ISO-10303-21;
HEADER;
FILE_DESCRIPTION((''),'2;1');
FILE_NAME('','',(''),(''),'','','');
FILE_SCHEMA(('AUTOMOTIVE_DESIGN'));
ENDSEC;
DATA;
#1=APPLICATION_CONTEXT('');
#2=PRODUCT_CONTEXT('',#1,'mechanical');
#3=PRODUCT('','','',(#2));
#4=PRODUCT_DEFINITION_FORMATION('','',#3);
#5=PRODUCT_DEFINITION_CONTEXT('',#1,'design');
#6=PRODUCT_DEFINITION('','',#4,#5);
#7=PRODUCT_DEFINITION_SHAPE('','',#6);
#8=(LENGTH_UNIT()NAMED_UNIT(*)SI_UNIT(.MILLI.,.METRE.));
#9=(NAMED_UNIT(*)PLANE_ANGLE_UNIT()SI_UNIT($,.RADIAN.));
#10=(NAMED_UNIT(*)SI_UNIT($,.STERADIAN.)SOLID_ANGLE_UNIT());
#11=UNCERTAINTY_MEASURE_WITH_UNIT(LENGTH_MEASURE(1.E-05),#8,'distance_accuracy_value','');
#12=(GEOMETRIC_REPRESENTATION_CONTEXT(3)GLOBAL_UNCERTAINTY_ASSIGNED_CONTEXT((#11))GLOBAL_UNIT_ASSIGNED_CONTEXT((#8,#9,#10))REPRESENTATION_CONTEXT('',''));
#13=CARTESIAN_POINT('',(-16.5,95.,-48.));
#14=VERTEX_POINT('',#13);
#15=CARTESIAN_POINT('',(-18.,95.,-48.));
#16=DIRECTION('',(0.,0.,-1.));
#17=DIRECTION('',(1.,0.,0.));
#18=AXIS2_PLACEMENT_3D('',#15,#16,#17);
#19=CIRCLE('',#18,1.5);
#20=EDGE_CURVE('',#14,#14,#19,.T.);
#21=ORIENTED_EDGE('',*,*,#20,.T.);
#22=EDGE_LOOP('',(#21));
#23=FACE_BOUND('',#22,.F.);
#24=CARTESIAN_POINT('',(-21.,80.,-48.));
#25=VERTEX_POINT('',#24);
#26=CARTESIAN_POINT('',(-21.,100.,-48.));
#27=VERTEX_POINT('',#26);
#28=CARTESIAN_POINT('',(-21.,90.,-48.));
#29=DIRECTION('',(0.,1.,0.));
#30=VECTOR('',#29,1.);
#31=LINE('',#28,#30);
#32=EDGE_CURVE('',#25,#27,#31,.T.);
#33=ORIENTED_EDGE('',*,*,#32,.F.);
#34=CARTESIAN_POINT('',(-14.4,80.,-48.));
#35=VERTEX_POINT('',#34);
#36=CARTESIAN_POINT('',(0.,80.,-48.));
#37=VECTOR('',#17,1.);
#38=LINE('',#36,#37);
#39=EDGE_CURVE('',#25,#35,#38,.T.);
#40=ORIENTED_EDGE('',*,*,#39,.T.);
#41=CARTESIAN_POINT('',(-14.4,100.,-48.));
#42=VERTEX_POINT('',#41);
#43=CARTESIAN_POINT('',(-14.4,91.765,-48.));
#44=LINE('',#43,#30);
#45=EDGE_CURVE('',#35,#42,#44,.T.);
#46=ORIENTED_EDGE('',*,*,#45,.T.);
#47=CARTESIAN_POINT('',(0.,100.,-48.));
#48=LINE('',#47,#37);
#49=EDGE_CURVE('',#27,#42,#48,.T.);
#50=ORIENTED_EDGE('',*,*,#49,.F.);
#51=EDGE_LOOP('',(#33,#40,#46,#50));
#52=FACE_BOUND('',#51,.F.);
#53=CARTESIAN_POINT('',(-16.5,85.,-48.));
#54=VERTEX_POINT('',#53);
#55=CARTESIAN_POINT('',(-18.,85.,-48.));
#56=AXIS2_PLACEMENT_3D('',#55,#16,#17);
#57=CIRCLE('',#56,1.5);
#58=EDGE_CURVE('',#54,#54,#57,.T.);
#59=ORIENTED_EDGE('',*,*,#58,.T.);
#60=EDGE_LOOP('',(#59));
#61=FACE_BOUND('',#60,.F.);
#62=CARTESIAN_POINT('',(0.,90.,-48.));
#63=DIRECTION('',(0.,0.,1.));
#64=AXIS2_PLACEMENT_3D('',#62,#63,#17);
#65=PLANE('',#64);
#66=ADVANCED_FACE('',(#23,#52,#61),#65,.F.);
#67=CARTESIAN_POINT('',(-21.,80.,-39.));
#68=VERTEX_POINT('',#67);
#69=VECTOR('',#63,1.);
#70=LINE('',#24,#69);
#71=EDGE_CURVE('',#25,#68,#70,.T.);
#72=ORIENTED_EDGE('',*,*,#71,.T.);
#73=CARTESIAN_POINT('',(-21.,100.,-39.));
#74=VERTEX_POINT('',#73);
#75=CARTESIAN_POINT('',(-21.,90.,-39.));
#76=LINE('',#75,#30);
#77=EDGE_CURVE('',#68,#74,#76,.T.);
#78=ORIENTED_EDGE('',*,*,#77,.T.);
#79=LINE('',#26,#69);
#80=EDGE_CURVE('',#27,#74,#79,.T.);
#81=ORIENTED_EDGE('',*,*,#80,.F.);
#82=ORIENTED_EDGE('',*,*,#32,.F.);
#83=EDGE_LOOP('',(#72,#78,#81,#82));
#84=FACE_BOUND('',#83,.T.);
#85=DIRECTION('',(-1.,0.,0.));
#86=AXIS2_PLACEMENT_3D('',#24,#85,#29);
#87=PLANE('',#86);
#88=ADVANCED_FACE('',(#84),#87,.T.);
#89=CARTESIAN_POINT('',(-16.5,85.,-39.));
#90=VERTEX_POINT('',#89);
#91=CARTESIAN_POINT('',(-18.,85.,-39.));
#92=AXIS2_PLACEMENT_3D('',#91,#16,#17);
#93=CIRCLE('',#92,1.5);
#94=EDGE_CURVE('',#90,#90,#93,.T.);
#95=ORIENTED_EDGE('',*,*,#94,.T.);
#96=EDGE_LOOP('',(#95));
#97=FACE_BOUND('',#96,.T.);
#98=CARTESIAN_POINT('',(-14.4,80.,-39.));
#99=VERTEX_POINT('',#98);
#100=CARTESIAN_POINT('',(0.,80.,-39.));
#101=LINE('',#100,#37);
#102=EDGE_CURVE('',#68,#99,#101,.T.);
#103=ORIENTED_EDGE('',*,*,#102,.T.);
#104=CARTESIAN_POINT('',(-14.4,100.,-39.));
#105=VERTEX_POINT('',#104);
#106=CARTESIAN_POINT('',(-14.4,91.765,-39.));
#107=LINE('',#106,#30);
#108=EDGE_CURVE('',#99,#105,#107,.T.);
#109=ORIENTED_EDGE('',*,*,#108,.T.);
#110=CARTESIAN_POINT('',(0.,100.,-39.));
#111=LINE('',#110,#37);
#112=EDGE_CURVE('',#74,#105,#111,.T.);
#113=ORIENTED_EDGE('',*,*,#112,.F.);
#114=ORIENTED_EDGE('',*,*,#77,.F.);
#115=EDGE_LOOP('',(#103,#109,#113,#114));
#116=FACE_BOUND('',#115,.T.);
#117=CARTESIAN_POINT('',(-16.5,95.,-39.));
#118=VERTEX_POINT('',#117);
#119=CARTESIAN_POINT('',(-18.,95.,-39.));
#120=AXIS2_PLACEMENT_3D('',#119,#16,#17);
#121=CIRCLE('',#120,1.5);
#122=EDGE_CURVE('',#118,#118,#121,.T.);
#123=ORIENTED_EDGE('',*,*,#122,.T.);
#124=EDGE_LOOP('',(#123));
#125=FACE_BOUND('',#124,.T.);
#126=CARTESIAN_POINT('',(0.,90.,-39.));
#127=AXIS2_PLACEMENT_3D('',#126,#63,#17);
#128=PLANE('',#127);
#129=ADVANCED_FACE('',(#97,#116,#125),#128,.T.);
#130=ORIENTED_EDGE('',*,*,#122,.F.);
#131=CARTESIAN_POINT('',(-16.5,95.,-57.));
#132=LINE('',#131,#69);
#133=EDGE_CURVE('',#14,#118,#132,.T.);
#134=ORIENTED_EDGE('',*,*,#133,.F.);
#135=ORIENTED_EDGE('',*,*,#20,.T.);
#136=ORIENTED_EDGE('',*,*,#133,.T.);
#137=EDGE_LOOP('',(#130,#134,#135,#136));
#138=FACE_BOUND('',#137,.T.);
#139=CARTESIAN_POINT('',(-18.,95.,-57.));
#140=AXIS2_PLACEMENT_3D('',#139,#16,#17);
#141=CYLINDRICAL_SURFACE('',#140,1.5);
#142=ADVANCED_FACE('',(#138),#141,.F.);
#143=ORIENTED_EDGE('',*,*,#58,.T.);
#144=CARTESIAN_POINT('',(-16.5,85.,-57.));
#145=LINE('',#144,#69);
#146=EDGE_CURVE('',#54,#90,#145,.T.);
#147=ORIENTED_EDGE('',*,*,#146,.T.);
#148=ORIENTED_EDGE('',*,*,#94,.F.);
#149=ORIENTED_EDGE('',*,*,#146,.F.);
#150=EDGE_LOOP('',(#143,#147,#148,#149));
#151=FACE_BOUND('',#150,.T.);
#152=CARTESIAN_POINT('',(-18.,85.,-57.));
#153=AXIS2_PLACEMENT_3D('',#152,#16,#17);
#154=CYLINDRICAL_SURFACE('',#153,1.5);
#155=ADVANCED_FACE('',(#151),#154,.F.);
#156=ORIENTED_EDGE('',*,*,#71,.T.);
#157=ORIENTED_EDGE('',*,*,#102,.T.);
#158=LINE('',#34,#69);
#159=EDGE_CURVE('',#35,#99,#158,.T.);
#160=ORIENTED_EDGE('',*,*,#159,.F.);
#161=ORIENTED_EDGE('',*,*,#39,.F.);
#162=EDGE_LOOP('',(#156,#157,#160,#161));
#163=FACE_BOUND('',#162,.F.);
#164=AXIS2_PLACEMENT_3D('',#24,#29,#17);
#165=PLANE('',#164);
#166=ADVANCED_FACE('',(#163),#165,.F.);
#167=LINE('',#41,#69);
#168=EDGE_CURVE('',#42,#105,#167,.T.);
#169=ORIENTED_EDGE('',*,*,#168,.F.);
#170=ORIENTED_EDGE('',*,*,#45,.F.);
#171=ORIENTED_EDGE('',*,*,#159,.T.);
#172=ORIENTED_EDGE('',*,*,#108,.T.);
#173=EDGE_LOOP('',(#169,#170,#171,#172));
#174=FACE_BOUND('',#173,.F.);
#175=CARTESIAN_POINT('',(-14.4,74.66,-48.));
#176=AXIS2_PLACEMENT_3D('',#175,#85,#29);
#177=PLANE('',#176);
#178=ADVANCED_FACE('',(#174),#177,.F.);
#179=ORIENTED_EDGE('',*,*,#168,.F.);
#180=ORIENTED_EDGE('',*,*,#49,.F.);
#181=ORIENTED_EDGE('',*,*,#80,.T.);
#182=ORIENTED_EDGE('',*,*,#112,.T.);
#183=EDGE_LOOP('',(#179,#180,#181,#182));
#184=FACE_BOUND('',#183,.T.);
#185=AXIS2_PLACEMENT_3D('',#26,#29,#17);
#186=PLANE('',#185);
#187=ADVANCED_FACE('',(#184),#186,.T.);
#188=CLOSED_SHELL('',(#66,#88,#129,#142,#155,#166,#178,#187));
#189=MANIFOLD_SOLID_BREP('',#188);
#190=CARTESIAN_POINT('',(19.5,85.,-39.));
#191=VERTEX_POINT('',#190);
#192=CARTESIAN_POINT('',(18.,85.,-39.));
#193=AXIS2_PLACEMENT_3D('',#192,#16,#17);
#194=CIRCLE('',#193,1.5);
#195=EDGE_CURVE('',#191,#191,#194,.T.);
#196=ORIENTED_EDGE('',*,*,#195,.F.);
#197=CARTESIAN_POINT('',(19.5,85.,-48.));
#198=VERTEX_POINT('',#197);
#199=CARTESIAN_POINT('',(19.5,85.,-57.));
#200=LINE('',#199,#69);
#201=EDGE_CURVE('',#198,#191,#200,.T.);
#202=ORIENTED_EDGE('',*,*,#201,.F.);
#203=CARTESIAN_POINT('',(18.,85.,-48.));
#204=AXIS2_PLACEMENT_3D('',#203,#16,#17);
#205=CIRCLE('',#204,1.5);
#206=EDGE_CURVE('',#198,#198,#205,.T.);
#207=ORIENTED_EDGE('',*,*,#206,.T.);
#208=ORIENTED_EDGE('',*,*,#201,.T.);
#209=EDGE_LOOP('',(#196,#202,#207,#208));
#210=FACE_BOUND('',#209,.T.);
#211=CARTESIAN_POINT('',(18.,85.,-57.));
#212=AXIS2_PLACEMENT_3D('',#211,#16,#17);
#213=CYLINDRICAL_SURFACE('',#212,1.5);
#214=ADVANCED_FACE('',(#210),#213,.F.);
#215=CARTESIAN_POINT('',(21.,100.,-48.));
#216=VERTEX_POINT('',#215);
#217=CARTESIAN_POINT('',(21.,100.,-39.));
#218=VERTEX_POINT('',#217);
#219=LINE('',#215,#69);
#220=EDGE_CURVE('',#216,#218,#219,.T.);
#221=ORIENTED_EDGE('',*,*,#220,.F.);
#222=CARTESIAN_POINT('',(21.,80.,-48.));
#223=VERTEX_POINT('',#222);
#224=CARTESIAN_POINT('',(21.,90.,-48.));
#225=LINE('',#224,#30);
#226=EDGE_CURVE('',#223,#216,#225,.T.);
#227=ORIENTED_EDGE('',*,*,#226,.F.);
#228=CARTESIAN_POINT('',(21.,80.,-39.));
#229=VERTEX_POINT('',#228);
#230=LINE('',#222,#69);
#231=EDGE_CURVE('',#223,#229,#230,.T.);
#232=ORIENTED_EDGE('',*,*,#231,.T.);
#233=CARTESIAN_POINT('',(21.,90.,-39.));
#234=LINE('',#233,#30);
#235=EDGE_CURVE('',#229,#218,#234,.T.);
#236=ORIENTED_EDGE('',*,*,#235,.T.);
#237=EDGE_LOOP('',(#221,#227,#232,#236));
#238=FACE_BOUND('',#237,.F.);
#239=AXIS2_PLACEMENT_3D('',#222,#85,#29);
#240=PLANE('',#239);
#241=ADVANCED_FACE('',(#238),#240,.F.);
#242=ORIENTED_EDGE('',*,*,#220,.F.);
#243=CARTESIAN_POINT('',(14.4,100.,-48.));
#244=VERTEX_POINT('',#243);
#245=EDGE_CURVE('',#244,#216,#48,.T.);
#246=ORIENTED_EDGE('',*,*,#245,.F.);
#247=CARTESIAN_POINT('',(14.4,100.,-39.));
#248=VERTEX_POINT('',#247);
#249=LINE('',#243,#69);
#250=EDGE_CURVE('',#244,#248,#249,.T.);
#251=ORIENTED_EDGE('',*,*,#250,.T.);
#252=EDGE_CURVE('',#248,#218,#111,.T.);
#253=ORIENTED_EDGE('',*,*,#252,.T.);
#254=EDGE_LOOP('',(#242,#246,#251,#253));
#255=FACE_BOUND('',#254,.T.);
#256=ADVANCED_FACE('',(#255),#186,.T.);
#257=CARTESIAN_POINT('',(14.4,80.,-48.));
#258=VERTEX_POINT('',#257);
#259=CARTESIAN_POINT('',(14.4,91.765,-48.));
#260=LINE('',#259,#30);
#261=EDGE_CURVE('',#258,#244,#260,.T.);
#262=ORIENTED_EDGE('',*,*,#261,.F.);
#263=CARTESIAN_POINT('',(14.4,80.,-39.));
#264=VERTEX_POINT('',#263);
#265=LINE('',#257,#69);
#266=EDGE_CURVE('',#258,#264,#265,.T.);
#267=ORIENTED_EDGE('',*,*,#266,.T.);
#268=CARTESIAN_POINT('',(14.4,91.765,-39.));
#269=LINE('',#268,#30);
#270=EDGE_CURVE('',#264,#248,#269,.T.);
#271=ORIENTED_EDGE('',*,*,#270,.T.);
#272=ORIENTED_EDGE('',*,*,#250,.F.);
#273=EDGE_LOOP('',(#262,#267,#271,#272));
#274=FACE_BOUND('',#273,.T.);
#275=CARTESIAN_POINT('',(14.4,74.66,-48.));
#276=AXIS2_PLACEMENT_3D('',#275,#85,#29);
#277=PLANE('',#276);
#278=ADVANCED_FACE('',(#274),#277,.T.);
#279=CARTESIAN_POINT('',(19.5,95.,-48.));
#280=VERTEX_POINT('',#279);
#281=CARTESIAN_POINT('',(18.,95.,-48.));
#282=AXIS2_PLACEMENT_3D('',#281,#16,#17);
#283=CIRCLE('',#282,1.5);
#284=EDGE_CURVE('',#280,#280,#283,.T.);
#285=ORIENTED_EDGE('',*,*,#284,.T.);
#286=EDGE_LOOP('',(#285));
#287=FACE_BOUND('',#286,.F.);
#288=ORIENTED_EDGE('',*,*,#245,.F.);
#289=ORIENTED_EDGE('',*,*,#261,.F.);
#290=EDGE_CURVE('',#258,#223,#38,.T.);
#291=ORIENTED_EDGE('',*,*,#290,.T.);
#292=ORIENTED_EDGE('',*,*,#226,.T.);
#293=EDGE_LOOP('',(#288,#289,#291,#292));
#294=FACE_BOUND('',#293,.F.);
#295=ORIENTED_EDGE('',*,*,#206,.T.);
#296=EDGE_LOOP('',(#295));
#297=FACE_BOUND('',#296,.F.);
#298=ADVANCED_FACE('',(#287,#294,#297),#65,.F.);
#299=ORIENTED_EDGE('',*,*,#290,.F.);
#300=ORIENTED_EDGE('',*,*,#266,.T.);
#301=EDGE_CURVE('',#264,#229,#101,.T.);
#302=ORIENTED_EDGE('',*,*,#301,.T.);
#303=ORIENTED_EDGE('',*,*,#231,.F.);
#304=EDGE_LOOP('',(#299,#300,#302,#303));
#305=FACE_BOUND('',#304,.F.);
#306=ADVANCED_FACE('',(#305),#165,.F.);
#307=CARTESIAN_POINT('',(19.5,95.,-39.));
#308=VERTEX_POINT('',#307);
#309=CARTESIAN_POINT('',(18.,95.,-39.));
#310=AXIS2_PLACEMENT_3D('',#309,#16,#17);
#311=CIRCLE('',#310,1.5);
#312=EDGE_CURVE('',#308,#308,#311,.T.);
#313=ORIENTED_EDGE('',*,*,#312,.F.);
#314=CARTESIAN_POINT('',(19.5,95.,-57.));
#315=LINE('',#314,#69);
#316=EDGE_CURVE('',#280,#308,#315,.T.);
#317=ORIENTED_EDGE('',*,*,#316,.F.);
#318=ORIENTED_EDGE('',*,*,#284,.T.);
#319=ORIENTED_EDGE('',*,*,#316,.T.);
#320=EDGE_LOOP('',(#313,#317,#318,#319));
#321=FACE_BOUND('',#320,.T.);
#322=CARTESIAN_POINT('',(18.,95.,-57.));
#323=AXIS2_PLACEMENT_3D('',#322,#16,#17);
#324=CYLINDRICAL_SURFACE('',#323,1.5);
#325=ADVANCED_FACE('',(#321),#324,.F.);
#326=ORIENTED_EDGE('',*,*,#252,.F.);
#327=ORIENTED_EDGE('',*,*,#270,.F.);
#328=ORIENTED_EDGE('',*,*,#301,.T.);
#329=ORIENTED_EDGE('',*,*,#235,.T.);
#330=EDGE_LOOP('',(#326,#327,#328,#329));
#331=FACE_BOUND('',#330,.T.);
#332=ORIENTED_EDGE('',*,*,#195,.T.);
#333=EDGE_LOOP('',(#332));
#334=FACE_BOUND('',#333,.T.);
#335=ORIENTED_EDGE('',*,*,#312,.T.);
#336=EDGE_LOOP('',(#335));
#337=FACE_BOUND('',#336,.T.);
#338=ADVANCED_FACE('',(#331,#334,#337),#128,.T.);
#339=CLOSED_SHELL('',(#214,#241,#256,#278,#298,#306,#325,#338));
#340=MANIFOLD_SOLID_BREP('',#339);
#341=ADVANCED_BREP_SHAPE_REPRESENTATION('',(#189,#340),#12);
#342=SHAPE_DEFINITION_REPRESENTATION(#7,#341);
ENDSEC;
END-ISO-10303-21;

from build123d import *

# Parameters (mm, degrees)
CYLINDER1730_R     = 1.5
CYLINDER1730_DEPTH = 60
CYLINDER1732_R     = 1.5
CYLINDER1732_DEPTH = 60
CYLINDER1729_R     = 1.5
CYLINDER1729_DEPTH = 60
CYLINDER1731_R     = 1.5
CYLINDER1731_DEPTH = 60
BOX668_W           = 28.8
BOX668_H           = 34.21
BOX668_DEPTH       = 9
BOX669_W           = 42
BOX669_H           = 20
BOX669_DEPTH       = 9


with BuildPart() as v_lec1730:
    # Cylinder1730 → Cylinder1730 (new body)
    with BuildSketch(Plane(origin=(18, 85, -57), x_dir=(1, 0, 0), z_dir=(0, 0, 1))):
        Circle(CYLINDER1730_R)
    extrude(amount=CYLINDER1730_DEPTH)


with BuildPart() as v_lec1732:
    # Cylinder1732 → Cylinder1732 (new body)
    with BuildSketch(Plane(origin=(-18, 85, -57), x_dir=(1, 0, 0), z_dir=(0, 0, 1))):
        Circle(CYLINDER1732_R)
    extrude(amount=CYLINDER1732_DEPTH)


with BuildPart() as v_lec1729:
    # Cylinder1729 → Cylinder1729 (new body)
    with BuildSketch(Plane(origin=(-18, 95, -57), x_dir=(1, 0, 0), z_dir=(0, 0, 1))):
        Circle(CYLINDER1729_R)
    extrude(amount=CYLINDER1729_DEPTH)


with BuildPart() as compound855:
    # Cylinder1731 → Cylinder1731 (new body)
    with BuildSketch(Plane(origin=(18, 95, -57), x_dir=(1, 0, 0), z_dir=(0, 0, 1))):
        Circle(CYLINDER1731_R)
    extrude(amount=CYLINDER1731_DEPTH)

    # Compound855: union Válec1730, Válec1732, Válec1729
    add(v_lec1730.part)
    add(v_lec1732.part)
    add(v_lec1729.part)


with BuildPart() as compound853:
    # Box668 → Box668 (new body)
    with BuildSketch(Plane(origin=(-14.4, -15.34, 34), x_dir=(1, 0, 0), z_dir=(0, 0, 1))):
        with Locations((14.4, 17.105)):
            Rectangle(BOX668_W, BOX668_H)
    extrude(amount=BOX668_DEPTH)


with BuildPart() as compound853_1:
    # Compound853 placement: moved
    add(compound853.part.moved(Location((0, 90, -83))))


with BuildPart() as cut362:
    # Box669 → Box669 (new body)
    with BuildSketch(Plane(origin=(-21, 80, -49), x_dir=(1, 0, 0), z_dir=(0, 0, 1))):
        with Locations((21, 10)):
            Rectangle(BOX669_W, BOX669_H)
    extrude(amount=BOX669_DEPTH)

    # Cut358: cut Compound853
    add(compound853_1.part, mode=Mode.SUBTRACT)


with BuildPart() as cut362_1:
    # Cut358 placement: moved
    add(cut362.part.moved(Location((0, 0, 1))))

    # Cut362: cut Compound855
    add(compound855.part, mode=Mode.SUBTRACT)


solid = cut362_1.part
